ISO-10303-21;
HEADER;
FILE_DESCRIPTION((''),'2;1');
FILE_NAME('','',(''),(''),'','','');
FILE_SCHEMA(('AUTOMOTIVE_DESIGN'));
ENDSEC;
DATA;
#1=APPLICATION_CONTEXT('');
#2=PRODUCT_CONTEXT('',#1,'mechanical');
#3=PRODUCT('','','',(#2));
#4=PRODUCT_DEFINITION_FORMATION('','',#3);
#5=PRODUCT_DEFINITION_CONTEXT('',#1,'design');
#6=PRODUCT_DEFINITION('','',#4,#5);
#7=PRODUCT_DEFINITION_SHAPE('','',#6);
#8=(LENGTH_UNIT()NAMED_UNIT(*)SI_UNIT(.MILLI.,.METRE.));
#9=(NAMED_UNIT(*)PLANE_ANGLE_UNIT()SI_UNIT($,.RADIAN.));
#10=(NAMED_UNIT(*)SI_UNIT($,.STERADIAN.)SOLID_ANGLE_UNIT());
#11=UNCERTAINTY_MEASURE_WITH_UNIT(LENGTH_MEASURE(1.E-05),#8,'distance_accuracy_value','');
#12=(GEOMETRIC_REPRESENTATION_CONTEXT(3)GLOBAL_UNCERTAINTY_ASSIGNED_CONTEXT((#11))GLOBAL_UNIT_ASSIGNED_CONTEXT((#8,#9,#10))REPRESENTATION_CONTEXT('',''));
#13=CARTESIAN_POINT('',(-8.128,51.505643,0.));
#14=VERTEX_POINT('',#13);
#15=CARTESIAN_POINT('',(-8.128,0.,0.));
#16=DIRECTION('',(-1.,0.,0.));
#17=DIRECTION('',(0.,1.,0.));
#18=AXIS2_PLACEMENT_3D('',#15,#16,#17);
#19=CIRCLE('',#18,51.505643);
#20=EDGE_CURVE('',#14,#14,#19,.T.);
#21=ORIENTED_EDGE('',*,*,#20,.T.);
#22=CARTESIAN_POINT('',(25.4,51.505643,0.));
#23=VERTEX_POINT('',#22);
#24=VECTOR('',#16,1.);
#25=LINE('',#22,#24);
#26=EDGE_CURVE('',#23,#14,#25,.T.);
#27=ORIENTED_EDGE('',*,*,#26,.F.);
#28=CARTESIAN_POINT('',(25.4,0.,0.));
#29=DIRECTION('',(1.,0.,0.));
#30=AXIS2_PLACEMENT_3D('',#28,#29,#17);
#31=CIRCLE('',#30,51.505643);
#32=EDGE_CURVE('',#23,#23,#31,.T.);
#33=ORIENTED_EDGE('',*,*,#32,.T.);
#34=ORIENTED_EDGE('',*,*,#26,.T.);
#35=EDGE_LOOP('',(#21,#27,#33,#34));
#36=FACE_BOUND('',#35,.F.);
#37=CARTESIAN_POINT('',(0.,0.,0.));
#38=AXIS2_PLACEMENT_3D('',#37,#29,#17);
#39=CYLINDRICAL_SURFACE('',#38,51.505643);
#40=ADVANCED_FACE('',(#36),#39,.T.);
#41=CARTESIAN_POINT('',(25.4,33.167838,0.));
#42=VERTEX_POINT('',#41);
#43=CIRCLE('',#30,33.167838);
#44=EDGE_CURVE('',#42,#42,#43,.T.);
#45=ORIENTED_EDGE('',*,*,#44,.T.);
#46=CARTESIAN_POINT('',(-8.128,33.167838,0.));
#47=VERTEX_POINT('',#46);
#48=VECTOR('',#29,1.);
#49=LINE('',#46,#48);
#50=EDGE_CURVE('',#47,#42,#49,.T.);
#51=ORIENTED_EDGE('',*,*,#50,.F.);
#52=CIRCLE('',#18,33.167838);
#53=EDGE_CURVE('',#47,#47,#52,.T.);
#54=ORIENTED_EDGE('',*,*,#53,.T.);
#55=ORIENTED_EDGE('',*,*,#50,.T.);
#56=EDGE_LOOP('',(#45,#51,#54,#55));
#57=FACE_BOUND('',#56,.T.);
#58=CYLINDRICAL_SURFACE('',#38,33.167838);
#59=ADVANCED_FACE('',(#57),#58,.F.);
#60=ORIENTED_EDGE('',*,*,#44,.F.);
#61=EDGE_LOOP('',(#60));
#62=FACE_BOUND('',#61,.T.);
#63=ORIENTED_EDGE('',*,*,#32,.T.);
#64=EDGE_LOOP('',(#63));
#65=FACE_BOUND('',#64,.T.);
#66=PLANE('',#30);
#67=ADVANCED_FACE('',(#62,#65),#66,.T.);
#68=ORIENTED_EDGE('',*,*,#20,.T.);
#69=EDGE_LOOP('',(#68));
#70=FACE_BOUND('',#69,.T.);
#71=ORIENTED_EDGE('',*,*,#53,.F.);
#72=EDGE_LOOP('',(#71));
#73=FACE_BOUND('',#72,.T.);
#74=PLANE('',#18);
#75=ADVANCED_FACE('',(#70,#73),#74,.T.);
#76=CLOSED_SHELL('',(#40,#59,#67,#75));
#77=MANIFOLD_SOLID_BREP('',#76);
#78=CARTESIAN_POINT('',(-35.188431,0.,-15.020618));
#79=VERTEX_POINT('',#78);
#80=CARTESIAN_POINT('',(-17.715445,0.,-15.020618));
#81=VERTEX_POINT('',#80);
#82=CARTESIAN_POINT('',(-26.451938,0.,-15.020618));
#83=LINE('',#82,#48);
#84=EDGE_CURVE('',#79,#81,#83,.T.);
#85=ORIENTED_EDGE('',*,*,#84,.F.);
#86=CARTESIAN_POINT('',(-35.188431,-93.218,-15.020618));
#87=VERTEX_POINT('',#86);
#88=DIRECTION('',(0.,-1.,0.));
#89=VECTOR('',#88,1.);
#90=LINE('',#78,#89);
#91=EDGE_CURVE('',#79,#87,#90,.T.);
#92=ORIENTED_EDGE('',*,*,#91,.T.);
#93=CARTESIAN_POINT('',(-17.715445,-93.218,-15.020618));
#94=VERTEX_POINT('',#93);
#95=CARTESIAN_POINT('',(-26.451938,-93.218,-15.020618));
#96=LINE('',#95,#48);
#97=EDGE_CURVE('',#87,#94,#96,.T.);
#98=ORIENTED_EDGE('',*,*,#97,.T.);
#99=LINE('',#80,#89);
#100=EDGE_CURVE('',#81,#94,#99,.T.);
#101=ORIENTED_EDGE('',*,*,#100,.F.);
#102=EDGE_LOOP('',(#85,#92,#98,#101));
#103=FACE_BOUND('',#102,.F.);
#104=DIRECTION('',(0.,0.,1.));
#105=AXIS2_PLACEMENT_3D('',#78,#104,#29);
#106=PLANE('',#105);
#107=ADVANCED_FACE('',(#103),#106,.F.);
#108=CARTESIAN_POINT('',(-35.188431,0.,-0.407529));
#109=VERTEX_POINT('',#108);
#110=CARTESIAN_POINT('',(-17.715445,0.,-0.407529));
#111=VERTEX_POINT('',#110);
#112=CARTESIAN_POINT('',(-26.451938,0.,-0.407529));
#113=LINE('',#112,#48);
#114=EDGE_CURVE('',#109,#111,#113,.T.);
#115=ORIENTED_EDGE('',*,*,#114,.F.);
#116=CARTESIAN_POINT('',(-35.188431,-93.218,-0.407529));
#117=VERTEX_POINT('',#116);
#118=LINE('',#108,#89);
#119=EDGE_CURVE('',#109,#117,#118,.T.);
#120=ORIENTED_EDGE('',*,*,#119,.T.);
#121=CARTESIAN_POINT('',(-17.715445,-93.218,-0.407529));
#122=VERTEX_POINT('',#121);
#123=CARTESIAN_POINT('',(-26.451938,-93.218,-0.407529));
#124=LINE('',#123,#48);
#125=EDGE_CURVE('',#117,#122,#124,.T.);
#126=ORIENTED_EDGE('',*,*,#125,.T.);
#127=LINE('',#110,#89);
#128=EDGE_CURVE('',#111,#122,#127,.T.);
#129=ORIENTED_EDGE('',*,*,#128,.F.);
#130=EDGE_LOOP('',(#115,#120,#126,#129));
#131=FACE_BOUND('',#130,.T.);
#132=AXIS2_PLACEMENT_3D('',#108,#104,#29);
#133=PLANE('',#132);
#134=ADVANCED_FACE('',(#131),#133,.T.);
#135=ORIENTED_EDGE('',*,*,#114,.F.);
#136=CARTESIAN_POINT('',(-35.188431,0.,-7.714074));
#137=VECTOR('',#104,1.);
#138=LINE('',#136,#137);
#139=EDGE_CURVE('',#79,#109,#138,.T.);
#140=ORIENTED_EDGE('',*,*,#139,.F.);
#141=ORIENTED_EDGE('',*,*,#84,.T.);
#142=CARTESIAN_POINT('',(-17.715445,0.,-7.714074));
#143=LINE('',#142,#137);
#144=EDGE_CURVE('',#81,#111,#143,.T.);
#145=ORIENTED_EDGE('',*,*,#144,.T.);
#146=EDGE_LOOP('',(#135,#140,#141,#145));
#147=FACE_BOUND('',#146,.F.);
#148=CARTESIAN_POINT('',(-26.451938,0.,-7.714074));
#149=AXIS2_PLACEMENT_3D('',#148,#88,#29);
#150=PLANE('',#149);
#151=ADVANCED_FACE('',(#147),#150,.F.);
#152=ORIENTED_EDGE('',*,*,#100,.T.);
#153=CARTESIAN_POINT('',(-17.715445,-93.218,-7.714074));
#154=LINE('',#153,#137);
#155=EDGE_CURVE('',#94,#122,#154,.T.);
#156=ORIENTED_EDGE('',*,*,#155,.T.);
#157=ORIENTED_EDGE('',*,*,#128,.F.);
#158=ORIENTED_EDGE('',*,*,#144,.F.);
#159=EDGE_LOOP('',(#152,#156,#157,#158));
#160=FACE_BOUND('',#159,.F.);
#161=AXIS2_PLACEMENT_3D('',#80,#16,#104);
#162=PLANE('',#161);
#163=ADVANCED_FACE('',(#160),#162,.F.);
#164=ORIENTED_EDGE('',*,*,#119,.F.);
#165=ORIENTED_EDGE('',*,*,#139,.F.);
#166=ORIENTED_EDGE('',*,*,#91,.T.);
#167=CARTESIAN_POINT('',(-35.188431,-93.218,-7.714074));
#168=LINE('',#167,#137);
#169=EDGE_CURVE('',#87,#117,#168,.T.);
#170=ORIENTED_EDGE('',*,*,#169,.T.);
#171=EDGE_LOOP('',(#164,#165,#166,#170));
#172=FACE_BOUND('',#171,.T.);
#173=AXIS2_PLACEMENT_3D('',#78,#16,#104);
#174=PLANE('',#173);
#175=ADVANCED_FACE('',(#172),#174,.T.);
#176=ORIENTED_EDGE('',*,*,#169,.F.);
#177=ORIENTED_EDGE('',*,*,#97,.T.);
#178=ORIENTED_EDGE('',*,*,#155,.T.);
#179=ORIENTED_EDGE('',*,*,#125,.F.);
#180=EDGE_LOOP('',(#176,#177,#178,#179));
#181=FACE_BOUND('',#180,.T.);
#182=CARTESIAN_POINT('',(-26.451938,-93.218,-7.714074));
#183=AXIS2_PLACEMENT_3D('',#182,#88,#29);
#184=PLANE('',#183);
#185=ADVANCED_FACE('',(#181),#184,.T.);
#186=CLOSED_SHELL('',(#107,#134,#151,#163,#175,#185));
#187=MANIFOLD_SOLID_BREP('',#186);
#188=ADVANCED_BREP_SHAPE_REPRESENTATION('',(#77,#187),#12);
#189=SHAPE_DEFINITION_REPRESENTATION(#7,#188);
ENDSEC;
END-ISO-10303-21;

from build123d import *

# Parameters (mm, degrees)
F0_R        = 51.505643
F0_R_2      = 33.167838
F1_DEPTH    = 25.4
F1_FACE_R   = 51.505643
F1_FACE_R_2 = 33.167838
F2_DEPTH    = 8.128
F3_W        = 17.472986
F3_H        = 14.613089
F4_DEPTH    = 93.218


with BuildPart() as f1:
    # F0 (on Right) → F1 (new body)
    with BuildSketch(Plane.YZ):
        Circle(F0_R)
        Circle(F0_R_2, mode=Mode.SUBTRACT)
    extrude(amount=F1_DEPTH)

    # F1_face (on face) → F2 (join)
    with BuildSketch(Plane(origin=(0, 0, 0), x_dir=(0, 1, 0), z_dir=(-1, 0, 0))):
        Circle(F1_FACE_R)
        Circle(F1_FACE_R_2, mode=Mode.SUBTRACT)
    extrude(amount=F2_DEPTH)


with BuildPart() as f4:
    # F3 (on Front) → F4 (new body)
    with BuildSketch(Plane.XZ):
        with Locations((-26.451938, -7.714074)):
            Rectangle(F3_W, F3_H)
    extrude(amount=F4_DEPTH)


solid = Compound([f1.part, f4.part])
